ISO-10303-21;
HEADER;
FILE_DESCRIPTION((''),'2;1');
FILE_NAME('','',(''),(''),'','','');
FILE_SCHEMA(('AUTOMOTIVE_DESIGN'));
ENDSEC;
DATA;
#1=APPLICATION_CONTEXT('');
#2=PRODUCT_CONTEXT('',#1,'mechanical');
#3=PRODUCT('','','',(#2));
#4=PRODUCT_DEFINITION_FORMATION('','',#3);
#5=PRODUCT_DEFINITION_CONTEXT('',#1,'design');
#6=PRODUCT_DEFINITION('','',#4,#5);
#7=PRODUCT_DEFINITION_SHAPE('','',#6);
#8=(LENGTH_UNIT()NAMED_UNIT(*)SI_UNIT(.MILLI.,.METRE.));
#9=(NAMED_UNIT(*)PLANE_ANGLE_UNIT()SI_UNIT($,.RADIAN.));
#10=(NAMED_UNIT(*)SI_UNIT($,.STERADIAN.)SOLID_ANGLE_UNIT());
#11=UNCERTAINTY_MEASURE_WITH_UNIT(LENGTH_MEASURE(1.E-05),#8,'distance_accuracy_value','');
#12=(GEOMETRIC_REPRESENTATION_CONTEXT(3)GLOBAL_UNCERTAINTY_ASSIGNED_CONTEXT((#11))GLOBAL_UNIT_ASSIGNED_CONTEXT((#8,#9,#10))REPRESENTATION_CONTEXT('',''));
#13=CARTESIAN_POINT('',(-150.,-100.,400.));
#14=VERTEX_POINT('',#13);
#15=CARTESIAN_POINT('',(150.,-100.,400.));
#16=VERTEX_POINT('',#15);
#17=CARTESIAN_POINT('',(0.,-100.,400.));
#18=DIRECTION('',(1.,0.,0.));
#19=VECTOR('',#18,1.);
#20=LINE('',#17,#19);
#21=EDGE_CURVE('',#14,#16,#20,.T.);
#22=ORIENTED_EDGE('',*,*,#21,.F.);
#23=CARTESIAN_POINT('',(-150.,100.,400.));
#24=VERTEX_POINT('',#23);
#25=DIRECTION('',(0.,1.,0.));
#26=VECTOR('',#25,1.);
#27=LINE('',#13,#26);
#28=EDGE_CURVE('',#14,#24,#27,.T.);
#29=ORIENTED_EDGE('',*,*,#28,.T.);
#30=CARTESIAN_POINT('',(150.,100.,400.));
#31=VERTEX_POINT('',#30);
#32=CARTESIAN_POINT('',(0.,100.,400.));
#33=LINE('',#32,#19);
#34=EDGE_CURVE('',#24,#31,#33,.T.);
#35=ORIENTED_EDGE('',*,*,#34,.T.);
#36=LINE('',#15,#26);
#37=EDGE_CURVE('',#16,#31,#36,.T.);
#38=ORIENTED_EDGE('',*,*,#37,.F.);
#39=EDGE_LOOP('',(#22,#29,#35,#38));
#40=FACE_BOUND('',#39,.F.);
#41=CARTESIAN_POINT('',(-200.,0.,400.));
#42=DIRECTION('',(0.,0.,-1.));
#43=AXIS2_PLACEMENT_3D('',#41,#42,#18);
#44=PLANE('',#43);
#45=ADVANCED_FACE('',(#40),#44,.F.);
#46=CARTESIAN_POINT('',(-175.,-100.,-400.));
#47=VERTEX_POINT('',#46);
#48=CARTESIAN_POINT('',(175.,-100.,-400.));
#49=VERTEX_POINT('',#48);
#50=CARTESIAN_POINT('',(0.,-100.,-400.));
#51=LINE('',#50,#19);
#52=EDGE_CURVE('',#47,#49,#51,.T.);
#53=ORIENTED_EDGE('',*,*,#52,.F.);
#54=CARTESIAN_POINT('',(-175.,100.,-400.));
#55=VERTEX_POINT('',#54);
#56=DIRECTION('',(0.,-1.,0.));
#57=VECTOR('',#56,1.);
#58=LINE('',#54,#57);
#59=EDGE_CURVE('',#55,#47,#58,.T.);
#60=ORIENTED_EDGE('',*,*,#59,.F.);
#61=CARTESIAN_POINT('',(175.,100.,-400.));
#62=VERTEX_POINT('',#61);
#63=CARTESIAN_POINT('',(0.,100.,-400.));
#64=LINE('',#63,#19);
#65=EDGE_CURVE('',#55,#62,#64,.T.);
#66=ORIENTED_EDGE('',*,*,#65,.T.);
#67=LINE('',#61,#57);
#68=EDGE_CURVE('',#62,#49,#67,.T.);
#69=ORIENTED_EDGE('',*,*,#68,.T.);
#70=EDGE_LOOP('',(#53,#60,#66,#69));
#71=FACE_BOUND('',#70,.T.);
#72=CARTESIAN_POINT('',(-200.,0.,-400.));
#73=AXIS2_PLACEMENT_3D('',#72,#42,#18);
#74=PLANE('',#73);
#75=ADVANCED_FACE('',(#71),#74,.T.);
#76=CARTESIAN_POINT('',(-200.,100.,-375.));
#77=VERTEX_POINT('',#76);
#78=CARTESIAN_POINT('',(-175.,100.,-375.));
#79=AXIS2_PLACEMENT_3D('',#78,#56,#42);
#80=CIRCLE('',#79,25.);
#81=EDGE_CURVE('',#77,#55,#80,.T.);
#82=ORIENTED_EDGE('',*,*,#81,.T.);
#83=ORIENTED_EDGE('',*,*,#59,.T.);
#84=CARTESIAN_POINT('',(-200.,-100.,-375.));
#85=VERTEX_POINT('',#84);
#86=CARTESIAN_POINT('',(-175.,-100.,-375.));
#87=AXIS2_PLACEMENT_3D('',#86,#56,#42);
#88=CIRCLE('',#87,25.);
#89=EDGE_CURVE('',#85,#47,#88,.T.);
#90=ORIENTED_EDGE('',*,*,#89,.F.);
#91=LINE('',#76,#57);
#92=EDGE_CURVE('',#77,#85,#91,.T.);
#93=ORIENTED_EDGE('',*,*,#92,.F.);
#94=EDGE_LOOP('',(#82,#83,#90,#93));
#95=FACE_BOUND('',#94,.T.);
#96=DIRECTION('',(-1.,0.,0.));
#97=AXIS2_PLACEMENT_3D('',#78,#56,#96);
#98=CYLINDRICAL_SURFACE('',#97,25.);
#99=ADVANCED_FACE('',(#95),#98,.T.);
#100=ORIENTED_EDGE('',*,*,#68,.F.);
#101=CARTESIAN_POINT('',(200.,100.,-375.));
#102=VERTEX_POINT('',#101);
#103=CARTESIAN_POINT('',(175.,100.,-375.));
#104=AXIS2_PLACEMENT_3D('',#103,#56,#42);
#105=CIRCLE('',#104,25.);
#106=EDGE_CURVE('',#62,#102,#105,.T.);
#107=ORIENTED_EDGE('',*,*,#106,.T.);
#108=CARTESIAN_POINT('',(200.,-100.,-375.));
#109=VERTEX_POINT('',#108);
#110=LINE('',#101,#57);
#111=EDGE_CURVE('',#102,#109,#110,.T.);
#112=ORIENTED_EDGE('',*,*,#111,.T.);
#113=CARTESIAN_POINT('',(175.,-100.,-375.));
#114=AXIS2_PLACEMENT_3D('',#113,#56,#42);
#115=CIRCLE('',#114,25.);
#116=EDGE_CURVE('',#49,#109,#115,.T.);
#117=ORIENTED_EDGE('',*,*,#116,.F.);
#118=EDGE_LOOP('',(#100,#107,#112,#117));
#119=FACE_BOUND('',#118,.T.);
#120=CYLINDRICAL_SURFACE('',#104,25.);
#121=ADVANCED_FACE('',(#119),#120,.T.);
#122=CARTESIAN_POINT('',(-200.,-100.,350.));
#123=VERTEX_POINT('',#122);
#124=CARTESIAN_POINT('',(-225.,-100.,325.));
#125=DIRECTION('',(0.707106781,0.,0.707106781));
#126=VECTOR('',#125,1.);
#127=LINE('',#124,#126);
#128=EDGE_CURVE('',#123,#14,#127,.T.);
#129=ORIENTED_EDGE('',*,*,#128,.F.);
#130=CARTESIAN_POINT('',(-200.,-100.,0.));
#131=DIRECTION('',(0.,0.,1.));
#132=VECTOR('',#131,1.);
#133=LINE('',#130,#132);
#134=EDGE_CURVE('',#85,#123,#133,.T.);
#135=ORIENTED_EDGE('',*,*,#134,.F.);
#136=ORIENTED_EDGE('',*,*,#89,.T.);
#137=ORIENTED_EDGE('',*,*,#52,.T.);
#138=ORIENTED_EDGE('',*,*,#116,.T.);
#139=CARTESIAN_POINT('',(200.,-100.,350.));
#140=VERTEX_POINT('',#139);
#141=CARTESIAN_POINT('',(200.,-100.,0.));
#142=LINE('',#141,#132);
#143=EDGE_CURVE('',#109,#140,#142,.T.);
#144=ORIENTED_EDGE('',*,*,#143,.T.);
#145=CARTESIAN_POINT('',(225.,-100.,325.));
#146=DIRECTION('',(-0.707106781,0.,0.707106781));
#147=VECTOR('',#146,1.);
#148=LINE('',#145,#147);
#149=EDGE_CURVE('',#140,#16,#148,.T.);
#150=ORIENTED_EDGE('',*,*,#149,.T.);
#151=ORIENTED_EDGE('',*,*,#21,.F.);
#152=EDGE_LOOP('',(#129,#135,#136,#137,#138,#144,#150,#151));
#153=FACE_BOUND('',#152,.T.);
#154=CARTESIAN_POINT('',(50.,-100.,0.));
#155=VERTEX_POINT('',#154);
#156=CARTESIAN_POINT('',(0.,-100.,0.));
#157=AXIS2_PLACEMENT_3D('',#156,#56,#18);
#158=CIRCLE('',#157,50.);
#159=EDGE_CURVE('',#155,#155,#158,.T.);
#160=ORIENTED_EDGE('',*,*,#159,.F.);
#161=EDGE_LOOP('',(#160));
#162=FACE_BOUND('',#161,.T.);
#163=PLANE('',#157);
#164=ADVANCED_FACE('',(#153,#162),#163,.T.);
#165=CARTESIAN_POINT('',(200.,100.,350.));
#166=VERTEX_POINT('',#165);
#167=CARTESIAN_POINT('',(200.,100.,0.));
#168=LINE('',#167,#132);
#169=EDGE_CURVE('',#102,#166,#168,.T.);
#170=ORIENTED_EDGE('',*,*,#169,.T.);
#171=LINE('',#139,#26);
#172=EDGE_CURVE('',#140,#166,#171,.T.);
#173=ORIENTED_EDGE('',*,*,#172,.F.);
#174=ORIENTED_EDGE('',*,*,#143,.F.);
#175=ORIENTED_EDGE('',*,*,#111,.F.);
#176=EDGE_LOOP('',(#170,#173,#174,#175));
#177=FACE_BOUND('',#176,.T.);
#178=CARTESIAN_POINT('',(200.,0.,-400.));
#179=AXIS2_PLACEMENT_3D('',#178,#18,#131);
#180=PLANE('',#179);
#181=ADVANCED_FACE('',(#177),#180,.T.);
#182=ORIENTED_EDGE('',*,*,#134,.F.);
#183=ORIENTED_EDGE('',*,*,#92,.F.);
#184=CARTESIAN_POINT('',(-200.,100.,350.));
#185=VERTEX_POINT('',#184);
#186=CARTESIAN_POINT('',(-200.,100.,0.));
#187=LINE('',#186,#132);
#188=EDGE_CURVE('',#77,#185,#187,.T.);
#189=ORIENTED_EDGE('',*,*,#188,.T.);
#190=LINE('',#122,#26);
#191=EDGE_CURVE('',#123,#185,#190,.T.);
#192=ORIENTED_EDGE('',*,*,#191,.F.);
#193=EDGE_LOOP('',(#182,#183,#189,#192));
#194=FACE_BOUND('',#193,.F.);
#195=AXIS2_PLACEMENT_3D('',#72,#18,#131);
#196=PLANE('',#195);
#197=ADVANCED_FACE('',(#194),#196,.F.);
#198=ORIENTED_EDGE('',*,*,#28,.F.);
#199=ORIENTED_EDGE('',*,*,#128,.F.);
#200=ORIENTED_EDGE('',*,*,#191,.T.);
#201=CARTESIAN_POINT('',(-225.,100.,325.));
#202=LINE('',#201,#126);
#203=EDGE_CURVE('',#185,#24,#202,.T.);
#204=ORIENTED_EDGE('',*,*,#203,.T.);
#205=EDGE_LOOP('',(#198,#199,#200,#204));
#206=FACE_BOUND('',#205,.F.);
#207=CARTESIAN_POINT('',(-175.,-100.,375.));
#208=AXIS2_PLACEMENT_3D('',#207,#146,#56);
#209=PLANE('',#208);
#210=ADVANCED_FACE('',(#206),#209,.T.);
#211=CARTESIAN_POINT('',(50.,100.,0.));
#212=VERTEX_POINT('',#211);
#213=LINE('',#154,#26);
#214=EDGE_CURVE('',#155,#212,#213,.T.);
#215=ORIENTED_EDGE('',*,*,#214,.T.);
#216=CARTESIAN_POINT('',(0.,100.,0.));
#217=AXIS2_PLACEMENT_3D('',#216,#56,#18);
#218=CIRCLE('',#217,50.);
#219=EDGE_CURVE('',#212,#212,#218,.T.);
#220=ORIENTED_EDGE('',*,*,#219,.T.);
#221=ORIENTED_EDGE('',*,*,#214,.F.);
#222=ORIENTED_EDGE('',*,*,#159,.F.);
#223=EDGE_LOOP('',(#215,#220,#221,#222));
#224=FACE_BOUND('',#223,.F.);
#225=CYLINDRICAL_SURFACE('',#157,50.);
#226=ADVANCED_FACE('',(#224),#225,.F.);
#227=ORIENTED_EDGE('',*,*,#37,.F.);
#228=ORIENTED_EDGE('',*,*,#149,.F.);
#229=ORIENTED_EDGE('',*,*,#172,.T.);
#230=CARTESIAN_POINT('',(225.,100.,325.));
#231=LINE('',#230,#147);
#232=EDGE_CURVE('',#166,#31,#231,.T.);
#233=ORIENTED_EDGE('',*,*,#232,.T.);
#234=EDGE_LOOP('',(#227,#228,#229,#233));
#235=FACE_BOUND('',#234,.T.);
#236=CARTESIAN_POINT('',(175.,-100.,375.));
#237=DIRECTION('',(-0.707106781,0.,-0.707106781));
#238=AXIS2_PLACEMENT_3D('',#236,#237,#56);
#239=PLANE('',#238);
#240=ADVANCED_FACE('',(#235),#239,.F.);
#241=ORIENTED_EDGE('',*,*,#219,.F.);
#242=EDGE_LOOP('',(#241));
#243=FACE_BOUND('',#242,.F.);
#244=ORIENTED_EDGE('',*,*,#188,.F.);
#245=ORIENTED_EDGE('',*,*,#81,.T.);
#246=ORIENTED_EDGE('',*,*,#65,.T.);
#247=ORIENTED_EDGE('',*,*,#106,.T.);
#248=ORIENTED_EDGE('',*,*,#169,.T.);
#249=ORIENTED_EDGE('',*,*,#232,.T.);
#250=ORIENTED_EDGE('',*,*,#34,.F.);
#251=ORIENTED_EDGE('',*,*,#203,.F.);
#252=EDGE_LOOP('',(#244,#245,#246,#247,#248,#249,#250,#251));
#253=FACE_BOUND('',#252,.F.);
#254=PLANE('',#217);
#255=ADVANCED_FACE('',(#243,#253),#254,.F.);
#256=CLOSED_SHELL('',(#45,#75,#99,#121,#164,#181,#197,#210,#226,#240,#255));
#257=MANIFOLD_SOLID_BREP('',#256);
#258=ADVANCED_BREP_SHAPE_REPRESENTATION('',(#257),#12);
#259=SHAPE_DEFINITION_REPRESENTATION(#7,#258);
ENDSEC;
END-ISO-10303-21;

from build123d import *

# Parameters (mm, degrees)
F0_W     = 400
F0_H     = 800
F1_DEPTH = 100
F2_SIZE  = 50
F3_R     = 25
F4_R     = 50
F5_DEPTH = 230


with BuildPart() as f1:
    # F0 (on Front) → F1 (new body, symmetric)
    with BuildSketch(Plane.XZ):
        Rectangle(F0_W, F0_H)
    extrude(amount=F1_DEPTH, both=True)

    # F2
    f2_edges = [f1.edges().sort_by_distance(p)[0] for p in [
        (-200, 0, 400),
        (200, 0, 400),
    ]]
    chamfer(f2_edges, length=F2_SIZE)

    # F3
    f3_edges = [f1.edges().sort_by_distance(p)[0] for p in [
        (-200, 0, -400),
        (200, 0, -400),
    ]]
    fillet(f3_edges, radius=F3_R)

    # F4 (on face) → F5 (cut)
    with BuildSketch(Plane.XZ.offset(100)):
        Circle(F4_R)
    extrude(amount=-F5_DEPTH, mode=Mode.SUBTRACT)


solid = f1.part
